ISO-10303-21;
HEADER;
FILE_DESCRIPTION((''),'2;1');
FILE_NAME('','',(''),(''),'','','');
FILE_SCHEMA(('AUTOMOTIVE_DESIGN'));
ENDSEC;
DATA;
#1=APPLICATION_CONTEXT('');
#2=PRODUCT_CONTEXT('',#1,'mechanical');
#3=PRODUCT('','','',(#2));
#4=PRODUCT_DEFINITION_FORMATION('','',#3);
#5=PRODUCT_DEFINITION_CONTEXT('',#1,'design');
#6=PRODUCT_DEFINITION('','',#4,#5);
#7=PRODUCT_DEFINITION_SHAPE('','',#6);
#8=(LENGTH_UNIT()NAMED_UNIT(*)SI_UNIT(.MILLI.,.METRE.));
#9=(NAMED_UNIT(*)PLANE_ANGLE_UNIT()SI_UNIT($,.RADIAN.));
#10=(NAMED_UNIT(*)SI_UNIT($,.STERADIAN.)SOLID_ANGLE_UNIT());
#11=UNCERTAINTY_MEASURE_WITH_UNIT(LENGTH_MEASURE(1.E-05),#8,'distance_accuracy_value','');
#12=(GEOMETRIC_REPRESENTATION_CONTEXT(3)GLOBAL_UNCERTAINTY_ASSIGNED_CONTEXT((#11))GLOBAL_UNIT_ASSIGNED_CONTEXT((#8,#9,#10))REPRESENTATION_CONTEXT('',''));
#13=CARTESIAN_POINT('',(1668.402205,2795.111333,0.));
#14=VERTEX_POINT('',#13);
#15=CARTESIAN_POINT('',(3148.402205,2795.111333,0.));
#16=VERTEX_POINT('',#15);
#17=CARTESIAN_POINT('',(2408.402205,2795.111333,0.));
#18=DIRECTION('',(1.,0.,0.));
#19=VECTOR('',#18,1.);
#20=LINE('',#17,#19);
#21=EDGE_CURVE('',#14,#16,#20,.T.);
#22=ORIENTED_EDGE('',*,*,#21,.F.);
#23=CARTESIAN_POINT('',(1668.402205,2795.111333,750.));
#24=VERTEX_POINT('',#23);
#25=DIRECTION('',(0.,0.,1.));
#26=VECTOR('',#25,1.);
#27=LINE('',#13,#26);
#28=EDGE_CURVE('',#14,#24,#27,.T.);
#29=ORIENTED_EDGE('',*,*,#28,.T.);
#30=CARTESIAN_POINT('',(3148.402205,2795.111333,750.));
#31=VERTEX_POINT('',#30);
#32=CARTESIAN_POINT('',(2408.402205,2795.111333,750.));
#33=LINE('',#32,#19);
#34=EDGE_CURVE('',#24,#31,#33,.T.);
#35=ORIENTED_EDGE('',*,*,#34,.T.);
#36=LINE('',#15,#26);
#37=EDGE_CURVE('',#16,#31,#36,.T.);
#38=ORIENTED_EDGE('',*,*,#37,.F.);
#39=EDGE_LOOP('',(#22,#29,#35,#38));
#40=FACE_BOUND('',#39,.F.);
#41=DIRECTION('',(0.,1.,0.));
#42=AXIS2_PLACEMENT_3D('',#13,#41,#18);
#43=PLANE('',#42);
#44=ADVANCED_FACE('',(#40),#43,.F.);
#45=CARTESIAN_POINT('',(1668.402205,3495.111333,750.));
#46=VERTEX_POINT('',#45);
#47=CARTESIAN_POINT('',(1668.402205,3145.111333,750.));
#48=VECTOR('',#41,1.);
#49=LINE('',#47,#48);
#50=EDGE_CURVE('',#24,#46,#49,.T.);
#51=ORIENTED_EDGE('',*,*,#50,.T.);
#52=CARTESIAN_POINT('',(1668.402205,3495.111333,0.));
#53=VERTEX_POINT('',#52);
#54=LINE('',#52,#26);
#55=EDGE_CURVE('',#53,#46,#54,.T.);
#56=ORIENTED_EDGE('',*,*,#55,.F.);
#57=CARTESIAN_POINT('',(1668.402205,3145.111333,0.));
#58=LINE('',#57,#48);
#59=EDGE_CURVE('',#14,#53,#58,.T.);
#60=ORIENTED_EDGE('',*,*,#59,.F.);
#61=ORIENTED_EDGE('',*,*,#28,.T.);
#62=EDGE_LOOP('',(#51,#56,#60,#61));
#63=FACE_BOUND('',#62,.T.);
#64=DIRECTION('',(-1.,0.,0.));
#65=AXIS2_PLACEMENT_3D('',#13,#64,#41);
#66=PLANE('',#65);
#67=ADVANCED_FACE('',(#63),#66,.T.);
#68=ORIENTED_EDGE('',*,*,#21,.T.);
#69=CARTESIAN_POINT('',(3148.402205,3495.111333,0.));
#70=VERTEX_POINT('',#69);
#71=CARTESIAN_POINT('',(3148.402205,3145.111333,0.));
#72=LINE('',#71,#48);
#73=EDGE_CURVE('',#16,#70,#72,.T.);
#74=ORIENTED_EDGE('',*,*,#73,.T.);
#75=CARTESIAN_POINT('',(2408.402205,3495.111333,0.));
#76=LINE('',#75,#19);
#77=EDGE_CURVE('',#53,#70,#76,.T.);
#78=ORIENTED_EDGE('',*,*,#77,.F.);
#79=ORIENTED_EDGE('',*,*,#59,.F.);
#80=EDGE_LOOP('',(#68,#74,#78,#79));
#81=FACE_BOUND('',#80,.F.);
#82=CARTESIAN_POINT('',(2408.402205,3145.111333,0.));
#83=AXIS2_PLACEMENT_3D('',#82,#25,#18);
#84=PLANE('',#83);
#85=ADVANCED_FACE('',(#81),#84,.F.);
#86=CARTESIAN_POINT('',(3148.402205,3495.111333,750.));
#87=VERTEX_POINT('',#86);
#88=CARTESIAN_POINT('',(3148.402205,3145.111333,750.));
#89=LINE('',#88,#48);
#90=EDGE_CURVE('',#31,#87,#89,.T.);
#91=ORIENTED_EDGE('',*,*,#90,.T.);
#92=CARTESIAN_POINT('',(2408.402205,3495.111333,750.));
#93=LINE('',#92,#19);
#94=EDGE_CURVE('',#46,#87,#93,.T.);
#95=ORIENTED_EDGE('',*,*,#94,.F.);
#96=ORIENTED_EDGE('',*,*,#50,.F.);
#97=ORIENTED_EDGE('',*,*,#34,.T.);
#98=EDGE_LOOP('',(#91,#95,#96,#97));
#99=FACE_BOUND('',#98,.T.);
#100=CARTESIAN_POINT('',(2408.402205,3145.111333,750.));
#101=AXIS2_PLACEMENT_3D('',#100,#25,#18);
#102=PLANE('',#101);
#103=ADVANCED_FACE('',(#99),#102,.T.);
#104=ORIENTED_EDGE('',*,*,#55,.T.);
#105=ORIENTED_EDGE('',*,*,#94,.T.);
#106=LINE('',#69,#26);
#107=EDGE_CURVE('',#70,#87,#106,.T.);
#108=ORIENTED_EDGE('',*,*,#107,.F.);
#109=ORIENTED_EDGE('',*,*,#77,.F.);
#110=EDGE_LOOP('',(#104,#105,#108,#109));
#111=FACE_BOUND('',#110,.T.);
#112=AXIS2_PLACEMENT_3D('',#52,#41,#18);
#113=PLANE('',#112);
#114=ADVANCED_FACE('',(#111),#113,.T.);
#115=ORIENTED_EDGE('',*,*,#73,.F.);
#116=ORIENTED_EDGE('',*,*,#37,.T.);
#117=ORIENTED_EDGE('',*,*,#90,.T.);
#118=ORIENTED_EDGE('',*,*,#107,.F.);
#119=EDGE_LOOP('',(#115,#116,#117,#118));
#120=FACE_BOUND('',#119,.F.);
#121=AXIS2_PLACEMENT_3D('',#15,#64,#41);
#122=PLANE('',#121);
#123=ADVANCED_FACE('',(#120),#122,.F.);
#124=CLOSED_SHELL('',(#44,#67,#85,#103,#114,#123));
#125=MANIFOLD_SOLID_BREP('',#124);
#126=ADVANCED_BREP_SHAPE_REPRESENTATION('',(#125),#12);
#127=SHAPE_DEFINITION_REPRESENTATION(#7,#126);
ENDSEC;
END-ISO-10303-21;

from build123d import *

# Parameters (mm, degrees)
F10_W     = 1480
F10_H     = 700
F11_DEPTH = 750


with BuildPart() as f11:
    # F10 (on face) → F11 (new body)
    with BuildSketch(Plane.XY):
        with Locations((2408.402205, 3145.111333)):
            Rectangle(F10_W, F10_H)
    extrude(amount=F11_DEPTH)


solid = f11.part
